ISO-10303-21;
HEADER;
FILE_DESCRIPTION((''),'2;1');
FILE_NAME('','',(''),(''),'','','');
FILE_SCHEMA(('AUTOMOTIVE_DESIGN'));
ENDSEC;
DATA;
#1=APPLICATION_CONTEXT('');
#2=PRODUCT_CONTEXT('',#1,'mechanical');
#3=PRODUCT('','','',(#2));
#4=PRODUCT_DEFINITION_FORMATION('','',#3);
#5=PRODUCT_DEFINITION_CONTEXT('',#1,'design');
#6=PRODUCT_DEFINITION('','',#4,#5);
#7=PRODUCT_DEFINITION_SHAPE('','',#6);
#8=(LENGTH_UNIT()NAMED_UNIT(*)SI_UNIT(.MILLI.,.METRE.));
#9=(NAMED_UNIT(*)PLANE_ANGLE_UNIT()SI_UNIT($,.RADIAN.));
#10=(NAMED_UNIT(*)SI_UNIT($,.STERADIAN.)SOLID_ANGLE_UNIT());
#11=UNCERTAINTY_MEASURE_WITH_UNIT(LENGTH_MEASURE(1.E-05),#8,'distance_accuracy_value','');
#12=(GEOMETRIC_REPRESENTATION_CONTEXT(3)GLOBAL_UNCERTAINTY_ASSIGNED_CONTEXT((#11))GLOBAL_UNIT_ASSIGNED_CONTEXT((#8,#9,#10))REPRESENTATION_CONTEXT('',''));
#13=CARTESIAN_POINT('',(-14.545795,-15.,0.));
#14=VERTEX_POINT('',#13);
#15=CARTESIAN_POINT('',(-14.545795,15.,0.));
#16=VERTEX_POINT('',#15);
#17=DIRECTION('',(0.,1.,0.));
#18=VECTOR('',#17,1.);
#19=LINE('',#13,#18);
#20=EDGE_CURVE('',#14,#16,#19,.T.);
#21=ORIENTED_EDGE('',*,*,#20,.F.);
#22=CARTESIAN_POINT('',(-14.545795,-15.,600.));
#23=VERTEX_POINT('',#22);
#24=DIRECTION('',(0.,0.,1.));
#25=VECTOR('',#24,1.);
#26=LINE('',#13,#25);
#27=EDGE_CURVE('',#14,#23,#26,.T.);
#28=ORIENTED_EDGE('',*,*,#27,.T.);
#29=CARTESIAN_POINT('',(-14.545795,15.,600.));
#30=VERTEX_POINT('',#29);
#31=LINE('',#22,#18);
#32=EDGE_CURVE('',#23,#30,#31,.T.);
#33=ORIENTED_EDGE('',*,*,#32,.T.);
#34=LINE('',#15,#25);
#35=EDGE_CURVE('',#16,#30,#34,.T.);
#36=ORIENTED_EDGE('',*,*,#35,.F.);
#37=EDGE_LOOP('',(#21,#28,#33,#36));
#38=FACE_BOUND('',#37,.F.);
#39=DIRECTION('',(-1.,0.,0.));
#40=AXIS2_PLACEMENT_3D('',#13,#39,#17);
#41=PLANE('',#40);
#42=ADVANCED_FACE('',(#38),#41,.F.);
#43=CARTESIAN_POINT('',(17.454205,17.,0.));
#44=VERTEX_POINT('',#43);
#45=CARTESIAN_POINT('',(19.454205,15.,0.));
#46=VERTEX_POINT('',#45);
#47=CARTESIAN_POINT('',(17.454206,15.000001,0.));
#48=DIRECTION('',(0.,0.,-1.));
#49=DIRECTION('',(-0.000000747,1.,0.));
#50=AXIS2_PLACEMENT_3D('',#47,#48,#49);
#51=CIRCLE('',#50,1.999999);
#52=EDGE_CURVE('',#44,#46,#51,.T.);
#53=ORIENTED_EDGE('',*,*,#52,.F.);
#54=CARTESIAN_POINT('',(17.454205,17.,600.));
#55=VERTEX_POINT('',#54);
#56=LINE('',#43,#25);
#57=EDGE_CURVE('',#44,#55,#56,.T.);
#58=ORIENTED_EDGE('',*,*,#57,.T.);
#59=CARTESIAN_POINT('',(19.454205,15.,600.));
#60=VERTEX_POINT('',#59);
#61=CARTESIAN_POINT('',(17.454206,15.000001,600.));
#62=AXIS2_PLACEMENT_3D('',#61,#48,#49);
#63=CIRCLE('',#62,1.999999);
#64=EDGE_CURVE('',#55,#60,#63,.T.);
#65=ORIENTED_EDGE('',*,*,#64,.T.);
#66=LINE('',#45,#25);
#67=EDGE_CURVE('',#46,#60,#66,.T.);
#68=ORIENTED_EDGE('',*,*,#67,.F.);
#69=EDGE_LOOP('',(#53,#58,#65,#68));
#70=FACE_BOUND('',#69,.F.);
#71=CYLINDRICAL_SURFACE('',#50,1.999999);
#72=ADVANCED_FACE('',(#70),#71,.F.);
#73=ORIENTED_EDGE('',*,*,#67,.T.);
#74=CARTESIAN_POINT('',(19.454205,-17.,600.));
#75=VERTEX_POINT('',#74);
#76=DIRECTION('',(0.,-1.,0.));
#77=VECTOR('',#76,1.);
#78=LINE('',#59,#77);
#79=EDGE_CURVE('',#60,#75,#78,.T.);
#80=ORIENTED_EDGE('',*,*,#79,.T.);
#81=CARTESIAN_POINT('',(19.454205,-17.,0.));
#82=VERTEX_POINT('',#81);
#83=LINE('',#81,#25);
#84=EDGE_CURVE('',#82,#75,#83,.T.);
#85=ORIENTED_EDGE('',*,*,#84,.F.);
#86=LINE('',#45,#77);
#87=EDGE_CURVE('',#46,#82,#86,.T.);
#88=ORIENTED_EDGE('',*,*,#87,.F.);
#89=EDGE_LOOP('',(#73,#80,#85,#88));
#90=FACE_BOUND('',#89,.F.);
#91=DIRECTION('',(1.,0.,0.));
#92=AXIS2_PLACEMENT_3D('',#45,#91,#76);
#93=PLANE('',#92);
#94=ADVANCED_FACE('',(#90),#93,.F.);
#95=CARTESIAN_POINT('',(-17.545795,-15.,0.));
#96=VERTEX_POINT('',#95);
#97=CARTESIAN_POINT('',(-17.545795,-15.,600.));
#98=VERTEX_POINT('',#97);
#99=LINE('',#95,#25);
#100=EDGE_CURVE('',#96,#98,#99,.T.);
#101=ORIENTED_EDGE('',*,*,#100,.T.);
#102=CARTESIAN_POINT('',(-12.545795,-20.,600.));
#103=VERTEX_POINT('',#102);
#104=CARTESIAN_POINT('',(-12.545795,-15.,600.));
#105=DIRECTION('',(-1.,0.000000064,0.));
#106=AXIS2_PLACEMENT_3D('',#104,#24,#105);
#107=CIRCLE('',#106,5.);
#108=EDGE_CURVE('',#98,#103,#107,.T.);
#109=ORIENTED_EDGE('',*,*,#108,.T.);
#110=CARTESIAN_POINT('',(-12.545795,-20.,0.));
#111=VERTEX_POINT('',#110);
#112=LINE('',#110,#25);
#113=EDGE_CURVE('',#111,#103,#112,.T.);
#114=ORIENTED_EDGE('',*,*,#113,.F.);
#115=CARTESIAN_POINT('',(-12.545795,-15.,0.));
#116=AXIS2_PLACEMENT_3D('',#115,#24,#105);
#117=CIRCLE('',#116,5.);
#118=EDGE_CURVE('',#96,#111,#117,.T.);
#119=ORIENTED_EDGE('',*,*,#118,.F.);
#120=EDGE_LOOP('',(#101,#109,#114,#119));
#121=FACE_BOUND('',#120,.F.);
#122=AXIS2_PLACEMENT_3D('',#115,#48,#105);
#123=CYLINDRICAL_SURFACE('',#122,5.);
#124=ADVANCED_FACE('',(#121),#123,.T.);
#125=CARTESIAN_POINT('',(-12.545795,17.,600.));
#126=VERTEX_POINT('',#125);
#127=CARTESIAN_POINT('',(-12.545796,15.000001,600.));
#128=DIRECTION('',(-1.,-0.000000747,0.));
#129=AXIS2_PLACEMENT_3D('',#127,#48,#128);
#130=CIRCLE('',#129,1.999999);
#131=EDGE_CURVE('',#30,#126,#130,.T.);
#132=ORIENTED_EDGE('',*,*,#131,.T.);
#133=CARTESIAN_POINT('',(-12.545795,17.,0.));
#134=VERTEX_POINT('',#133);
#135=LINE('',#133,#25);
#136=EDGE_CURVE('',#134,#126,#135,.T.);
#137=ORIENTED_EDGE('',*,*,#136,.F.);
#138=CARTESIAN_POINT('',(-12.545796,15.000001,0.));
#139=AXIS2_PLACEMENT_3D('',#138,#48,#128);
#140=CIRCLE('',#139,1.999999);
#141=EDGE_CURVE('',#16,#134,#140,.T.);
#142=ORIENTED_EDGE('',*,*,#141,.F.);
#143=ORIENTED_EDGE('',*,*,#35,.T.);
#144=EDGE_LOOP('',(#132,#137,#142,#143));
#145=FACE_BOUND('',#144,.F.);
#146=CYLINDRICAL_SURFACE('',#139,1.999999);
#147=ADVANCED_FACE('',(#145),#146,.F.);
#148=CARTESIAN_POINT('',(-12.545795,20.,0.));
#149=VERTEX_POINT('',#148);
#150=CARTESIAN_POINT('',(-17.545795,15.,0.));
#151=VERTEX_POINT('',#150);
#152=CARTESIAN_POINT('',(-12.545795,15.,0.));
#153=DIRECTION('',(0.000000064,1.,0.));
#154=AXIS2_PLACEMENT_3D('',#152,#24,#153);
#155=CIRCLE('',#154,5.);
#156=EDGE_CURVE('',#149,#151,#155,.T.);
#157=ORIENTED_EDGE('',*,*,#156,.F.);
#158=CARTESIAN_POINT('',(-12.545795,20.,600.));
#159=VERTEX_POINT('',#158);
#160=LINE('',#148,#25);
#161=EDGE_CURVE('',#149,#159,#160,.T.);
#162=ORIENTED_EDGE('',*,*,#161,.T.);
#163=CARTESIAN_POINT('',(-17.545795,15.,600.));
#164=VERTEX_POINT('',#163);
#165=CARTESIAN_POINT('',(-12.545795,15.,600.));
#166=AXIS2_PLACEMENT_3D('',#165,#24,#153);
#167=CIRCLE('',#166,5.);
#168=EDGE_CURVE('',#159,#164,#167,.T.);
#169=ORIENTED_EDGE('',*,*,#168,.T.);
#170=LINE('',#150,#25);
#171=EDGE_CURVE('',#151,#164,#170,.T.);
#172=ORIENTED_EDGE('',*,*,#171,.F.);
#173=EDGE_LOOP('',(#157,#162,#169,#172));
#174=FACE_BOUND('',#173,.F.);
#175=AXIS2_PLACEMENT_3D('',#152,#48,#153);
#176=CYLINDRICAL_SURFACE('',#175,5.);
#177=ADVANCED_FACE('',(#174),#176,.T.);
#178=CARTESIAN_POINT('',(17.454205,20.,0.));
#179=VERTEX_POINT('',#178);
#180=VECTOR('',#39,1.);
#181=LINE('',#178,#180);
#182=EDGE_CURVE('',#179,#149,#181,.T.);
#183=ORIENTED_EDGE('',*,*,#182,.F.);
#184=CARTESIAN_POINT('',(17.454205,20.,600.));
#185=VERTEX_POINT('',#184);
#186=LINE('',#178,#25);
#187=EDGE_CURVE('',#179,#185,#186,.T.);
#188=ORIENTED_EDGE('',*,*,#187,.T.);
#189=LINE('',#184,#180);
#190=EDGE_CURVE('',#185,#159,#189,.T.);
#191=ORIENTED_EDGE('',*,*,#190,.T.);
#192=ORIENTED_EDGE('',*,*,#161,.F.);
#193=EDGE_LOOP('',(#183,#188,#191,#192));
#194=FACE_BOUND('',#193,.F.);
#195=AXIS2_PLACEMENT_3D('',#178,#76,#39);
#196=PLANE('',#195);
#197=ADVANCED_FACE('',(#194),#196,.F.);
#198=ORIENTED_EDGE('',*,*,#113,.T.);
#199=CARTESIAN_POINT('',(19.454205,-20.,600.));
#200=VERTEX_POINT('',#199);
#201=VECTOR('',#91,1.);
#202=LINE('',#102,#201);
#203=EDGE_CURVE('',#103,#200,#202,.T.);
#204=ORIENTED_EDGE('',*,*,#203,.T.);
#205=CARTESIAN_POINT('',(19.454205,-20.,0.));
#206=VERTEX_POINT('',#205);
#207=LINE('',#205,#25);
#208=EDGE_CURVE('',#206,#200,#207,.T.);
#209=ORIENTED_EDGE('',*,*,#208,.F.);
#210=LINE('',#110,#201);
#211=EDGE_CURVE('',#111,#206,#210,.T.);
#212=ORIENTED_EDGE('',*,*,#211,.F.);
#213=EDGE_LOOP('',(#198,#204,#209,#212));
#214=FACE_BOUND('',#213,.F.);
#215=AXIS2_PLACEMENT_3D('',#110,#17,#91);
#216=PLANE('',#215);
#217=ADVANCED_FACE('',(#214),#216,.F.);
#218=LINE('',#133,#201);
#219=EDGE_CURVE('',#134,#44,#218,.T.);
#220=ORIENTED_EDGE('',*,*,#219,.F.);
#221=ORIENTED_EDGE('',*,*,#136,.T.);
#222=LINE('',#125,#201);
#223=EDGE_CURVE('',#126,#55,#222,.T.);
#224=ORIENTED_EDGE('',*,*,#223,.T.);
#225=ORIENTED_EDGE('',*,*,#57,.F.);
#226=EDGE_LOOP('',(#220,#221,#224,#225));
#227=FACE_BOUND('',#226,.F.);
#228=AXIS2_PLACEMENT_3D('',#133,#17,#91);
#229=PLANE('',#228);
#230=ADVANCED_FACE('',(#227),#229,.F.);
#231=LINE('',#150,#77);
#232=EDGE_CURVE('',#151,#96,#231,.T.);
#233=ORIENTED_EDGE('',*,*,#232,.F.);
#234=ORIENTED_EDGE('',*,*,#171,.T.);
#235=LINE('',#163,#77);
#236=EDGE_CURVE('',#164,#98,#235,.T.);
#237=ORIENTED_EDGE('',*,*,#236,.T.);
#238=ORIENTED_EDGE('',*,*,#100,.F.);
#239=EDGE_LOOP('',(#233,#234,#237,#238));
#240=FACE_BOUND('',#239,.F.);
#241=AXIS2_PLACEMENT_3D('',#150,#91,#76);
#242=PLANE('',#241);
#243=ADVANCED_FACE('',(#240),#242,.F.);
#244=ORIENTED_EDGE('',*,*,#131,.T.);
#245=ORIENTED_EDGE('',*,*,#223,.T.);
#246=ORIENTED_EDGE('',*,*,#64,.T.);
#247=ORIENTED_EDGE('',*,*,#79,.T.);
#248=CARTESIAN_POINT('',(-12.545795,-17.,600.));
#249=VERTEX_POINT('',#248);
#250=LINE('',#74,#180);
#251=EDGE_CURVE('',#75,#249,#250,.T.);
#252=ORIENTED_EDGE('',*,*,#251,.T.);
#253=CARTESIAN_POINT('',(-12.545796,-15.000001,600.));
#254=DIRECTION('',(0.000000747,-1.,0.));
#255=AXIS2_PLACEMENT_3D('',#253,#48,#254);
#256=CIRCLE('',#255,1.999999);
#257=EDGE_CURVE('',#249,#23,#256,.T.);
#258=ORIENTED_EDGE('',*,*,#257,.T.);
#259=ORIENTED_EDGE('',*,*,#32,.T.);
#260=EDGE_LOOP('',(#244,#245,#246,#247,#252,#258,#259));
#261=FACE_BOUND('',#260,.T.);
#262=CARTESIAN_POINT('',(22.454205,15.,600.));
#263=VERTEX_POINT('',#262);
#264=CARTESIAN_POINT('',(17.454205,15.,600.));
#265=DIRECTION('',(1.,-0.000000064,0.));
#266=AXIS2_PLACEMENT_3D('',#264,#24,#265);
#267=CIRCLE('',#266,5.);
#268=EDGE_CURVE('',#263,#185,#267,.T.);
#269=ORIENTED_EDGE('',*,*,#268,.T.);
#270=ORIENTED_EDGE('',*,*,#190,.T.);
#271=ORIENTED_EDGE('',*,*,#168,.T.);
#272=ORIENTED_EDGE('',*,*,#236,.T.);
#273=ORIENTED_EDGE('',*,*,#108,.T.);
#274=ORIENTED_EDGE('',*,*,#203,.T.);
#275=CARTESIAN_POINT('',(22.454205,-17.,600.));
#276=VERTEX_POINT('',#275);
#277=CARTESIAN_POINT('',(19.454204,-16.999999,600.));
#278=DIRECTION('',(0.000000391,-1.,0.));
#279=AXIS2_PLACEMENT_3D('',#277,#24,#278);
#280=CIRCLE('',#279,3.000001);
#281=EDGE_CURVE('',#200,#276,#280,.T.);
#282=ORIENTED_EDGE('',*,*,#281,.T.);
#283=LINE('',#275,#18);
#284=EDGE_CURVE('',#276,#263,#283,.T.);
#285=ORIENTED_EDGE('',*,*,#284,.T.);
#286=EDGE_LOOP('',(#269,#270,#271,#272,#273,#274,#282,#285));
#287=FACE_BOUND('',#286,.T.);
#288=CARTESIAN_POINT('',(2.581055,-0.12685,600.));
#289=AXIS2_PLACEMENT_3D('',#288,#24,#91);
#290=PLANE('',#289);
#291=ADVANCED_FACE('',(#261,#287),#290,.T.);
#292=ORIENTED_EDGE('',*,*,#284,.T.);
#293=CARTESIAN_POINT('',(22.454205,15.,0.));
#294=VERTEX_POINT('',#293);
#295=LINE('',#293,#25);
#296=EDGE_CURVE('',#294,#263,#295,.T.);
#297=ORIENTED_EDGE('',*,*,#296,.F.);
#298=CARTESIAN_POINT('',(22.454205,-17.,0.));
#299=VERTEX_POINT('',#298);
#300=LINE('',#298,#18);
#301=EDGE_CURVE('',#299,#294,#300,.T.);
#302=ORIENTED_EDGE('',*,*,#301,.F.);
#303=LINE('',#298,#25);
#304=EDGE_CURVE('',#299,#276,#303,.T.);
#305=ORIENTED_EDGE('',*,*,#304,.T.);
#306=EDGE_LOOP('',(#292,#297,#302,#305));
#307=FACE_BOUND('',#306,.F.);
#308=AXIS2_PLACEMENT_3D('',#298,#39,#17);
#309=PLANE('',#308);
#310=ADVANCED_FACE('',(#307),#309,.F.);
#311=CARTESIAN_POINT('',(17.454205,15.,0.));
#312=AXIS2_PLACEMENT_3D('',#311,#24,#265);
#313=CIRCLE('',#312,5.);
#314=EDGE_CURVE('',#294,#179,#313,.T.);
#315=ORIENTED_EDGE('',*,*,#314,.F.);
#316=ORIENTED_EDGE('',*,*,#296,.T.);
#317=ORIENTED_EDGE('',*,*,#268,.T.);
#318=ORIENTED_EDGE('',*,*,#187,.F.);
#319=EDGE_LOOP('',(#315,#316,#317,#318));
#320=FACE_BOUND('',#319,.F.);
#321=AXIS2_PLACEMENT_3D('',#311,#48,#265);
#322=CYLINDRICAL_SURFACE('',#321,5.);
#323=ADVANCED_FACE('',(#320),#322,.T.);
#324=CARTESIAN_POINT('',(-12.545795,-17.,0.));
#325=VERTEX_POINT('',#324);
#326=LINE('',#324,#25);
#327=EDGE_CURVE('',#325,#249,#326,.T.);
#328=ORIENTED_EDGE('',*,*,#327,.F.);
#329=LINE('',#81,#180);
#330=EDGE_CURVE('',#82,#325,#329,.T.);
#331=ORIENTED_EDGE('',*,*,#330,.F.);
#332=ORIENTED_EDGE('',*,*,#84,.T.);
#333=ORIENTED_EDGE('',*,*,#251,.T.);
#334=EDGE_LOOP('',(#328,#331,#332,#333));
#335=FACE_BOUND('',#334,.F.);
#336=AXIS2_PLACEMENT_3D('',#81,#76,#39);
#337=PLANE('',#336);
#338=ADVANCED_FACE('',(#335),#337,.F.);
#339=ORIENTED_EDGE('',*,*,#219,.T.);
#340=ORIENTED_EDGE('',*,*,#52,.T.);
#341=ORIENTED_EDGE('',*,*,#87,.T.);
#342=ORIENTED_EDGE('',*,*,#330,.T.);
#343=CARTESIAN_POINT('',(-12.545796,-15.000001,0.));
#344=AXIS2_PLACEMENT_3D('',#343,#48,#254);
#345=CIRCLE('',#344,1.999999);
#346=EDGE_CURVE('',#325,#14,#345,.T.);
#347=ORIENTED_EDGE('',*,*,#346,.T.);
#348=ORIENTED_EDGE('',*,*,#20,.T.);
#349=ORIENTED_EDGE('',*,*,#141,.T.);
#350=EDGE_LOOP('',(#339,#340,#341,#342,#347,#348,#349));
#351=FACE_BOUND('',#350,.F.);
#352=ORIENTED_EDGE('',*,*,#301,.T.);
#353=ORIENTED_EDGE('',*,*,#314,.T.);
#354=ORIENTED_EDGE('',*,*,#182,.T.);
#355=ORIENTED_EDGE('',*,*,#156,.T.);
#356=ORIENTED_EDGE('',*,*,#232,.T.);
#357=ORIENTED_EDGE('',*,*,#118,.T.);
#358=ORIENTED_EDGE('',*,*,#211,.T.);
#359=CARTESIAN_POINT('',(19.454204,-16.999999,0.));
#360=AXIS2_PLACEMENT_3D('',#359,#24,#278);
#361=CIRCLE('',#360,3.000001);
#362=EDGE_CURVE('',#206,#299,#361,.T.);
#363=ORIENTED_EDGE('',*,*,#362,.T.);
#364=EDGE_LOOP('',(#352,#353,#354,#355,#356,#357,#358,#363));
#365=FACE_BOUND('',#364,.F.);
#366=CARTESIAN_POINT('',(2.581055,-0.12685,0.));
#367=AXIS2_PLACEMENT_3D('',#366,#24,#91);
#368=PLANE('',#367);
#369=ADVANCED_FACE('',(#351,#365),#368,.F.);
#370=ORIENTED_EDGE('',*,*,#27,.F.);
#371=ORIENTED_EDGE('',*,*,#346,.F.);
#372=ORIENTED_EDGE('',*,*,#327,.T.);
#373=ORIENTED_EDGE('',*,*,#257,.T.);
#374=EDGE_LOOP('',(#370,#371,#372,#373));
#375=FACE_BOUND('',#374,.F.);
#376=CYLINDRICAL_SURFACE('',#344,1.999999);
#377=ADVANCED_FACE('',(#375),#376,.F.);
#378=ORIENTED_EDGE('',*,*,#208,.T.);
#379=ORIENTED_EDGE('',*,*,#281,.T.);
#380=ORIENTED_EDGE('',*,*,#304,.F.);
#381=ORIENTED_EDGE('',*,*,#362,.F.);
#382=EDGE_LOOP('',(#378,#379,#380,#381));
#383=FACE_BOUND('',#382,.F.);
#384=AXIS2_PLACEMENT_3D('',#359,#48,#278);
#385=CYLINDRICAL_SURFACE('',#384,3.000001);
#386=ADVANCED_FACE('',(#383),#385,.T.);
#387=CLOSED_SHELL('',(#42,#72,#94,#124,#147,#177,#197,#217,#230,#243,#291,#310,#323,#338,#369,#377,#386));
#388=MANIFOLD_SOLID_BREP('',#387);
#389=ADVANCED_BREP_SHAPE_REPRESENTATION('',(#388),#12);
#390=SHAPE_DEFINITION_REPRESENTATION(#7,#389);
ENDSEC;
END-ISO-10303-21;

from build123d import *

# Parameters (mm, degrees)
F1_DEPTH = 600


with BuildPart() as f1:
    # F0 (on Top) → F1 (new body)
    with BuildSketch(Plane.XY):
        with BuildLine():
            ThreePointArc((22.454205, 15), (20.989739, 18.535534), (17.454205, 20))
            Line((17.454205, 20), (-12.545795, 20))
            ThreePointArc((-12.545795, 20), (-16.081329, 18.535534), (-17.545795, 15))
            Line((-17.545795, 15), (-17.545795, -15))
            ThreePointArc((-17.545795, -15), (-16.081329, -18.535534), (-12.545795, -20))
            Line((-12.545795, -20), (19.454205, -20))
            ThreePointArc((19.454205, -20), (21.575525, -19.12132), (22.454205, -17))
            Line((22.454205, -17), (22.454205, 15))
        make_face()
        with BuildLine():
            Line((-12.545795, 17), (17.454205, 17))
            ThreePointArc((17.454205, 17), (18.868419, 16.414214), (19.454205, 15))
            Line((19.454205, 15), (19.454205, -17))
            Line((19.454205, -17), (-12.545795, -17))
            ThreePointArc((-12.545795, -17), (-13.960009, -16.414214), (-14.545795, -15))
            Line((-14.545795, -15), (-14.545795, 15))
            ThreePointArc((-14.545795, 15), (-13.960009, 16.414214), (-12.545795, 17))
        make_face(mode=Mode.SUBTRACT)
    extrude(amount=F1_DEPTH)


solid = f1.part
